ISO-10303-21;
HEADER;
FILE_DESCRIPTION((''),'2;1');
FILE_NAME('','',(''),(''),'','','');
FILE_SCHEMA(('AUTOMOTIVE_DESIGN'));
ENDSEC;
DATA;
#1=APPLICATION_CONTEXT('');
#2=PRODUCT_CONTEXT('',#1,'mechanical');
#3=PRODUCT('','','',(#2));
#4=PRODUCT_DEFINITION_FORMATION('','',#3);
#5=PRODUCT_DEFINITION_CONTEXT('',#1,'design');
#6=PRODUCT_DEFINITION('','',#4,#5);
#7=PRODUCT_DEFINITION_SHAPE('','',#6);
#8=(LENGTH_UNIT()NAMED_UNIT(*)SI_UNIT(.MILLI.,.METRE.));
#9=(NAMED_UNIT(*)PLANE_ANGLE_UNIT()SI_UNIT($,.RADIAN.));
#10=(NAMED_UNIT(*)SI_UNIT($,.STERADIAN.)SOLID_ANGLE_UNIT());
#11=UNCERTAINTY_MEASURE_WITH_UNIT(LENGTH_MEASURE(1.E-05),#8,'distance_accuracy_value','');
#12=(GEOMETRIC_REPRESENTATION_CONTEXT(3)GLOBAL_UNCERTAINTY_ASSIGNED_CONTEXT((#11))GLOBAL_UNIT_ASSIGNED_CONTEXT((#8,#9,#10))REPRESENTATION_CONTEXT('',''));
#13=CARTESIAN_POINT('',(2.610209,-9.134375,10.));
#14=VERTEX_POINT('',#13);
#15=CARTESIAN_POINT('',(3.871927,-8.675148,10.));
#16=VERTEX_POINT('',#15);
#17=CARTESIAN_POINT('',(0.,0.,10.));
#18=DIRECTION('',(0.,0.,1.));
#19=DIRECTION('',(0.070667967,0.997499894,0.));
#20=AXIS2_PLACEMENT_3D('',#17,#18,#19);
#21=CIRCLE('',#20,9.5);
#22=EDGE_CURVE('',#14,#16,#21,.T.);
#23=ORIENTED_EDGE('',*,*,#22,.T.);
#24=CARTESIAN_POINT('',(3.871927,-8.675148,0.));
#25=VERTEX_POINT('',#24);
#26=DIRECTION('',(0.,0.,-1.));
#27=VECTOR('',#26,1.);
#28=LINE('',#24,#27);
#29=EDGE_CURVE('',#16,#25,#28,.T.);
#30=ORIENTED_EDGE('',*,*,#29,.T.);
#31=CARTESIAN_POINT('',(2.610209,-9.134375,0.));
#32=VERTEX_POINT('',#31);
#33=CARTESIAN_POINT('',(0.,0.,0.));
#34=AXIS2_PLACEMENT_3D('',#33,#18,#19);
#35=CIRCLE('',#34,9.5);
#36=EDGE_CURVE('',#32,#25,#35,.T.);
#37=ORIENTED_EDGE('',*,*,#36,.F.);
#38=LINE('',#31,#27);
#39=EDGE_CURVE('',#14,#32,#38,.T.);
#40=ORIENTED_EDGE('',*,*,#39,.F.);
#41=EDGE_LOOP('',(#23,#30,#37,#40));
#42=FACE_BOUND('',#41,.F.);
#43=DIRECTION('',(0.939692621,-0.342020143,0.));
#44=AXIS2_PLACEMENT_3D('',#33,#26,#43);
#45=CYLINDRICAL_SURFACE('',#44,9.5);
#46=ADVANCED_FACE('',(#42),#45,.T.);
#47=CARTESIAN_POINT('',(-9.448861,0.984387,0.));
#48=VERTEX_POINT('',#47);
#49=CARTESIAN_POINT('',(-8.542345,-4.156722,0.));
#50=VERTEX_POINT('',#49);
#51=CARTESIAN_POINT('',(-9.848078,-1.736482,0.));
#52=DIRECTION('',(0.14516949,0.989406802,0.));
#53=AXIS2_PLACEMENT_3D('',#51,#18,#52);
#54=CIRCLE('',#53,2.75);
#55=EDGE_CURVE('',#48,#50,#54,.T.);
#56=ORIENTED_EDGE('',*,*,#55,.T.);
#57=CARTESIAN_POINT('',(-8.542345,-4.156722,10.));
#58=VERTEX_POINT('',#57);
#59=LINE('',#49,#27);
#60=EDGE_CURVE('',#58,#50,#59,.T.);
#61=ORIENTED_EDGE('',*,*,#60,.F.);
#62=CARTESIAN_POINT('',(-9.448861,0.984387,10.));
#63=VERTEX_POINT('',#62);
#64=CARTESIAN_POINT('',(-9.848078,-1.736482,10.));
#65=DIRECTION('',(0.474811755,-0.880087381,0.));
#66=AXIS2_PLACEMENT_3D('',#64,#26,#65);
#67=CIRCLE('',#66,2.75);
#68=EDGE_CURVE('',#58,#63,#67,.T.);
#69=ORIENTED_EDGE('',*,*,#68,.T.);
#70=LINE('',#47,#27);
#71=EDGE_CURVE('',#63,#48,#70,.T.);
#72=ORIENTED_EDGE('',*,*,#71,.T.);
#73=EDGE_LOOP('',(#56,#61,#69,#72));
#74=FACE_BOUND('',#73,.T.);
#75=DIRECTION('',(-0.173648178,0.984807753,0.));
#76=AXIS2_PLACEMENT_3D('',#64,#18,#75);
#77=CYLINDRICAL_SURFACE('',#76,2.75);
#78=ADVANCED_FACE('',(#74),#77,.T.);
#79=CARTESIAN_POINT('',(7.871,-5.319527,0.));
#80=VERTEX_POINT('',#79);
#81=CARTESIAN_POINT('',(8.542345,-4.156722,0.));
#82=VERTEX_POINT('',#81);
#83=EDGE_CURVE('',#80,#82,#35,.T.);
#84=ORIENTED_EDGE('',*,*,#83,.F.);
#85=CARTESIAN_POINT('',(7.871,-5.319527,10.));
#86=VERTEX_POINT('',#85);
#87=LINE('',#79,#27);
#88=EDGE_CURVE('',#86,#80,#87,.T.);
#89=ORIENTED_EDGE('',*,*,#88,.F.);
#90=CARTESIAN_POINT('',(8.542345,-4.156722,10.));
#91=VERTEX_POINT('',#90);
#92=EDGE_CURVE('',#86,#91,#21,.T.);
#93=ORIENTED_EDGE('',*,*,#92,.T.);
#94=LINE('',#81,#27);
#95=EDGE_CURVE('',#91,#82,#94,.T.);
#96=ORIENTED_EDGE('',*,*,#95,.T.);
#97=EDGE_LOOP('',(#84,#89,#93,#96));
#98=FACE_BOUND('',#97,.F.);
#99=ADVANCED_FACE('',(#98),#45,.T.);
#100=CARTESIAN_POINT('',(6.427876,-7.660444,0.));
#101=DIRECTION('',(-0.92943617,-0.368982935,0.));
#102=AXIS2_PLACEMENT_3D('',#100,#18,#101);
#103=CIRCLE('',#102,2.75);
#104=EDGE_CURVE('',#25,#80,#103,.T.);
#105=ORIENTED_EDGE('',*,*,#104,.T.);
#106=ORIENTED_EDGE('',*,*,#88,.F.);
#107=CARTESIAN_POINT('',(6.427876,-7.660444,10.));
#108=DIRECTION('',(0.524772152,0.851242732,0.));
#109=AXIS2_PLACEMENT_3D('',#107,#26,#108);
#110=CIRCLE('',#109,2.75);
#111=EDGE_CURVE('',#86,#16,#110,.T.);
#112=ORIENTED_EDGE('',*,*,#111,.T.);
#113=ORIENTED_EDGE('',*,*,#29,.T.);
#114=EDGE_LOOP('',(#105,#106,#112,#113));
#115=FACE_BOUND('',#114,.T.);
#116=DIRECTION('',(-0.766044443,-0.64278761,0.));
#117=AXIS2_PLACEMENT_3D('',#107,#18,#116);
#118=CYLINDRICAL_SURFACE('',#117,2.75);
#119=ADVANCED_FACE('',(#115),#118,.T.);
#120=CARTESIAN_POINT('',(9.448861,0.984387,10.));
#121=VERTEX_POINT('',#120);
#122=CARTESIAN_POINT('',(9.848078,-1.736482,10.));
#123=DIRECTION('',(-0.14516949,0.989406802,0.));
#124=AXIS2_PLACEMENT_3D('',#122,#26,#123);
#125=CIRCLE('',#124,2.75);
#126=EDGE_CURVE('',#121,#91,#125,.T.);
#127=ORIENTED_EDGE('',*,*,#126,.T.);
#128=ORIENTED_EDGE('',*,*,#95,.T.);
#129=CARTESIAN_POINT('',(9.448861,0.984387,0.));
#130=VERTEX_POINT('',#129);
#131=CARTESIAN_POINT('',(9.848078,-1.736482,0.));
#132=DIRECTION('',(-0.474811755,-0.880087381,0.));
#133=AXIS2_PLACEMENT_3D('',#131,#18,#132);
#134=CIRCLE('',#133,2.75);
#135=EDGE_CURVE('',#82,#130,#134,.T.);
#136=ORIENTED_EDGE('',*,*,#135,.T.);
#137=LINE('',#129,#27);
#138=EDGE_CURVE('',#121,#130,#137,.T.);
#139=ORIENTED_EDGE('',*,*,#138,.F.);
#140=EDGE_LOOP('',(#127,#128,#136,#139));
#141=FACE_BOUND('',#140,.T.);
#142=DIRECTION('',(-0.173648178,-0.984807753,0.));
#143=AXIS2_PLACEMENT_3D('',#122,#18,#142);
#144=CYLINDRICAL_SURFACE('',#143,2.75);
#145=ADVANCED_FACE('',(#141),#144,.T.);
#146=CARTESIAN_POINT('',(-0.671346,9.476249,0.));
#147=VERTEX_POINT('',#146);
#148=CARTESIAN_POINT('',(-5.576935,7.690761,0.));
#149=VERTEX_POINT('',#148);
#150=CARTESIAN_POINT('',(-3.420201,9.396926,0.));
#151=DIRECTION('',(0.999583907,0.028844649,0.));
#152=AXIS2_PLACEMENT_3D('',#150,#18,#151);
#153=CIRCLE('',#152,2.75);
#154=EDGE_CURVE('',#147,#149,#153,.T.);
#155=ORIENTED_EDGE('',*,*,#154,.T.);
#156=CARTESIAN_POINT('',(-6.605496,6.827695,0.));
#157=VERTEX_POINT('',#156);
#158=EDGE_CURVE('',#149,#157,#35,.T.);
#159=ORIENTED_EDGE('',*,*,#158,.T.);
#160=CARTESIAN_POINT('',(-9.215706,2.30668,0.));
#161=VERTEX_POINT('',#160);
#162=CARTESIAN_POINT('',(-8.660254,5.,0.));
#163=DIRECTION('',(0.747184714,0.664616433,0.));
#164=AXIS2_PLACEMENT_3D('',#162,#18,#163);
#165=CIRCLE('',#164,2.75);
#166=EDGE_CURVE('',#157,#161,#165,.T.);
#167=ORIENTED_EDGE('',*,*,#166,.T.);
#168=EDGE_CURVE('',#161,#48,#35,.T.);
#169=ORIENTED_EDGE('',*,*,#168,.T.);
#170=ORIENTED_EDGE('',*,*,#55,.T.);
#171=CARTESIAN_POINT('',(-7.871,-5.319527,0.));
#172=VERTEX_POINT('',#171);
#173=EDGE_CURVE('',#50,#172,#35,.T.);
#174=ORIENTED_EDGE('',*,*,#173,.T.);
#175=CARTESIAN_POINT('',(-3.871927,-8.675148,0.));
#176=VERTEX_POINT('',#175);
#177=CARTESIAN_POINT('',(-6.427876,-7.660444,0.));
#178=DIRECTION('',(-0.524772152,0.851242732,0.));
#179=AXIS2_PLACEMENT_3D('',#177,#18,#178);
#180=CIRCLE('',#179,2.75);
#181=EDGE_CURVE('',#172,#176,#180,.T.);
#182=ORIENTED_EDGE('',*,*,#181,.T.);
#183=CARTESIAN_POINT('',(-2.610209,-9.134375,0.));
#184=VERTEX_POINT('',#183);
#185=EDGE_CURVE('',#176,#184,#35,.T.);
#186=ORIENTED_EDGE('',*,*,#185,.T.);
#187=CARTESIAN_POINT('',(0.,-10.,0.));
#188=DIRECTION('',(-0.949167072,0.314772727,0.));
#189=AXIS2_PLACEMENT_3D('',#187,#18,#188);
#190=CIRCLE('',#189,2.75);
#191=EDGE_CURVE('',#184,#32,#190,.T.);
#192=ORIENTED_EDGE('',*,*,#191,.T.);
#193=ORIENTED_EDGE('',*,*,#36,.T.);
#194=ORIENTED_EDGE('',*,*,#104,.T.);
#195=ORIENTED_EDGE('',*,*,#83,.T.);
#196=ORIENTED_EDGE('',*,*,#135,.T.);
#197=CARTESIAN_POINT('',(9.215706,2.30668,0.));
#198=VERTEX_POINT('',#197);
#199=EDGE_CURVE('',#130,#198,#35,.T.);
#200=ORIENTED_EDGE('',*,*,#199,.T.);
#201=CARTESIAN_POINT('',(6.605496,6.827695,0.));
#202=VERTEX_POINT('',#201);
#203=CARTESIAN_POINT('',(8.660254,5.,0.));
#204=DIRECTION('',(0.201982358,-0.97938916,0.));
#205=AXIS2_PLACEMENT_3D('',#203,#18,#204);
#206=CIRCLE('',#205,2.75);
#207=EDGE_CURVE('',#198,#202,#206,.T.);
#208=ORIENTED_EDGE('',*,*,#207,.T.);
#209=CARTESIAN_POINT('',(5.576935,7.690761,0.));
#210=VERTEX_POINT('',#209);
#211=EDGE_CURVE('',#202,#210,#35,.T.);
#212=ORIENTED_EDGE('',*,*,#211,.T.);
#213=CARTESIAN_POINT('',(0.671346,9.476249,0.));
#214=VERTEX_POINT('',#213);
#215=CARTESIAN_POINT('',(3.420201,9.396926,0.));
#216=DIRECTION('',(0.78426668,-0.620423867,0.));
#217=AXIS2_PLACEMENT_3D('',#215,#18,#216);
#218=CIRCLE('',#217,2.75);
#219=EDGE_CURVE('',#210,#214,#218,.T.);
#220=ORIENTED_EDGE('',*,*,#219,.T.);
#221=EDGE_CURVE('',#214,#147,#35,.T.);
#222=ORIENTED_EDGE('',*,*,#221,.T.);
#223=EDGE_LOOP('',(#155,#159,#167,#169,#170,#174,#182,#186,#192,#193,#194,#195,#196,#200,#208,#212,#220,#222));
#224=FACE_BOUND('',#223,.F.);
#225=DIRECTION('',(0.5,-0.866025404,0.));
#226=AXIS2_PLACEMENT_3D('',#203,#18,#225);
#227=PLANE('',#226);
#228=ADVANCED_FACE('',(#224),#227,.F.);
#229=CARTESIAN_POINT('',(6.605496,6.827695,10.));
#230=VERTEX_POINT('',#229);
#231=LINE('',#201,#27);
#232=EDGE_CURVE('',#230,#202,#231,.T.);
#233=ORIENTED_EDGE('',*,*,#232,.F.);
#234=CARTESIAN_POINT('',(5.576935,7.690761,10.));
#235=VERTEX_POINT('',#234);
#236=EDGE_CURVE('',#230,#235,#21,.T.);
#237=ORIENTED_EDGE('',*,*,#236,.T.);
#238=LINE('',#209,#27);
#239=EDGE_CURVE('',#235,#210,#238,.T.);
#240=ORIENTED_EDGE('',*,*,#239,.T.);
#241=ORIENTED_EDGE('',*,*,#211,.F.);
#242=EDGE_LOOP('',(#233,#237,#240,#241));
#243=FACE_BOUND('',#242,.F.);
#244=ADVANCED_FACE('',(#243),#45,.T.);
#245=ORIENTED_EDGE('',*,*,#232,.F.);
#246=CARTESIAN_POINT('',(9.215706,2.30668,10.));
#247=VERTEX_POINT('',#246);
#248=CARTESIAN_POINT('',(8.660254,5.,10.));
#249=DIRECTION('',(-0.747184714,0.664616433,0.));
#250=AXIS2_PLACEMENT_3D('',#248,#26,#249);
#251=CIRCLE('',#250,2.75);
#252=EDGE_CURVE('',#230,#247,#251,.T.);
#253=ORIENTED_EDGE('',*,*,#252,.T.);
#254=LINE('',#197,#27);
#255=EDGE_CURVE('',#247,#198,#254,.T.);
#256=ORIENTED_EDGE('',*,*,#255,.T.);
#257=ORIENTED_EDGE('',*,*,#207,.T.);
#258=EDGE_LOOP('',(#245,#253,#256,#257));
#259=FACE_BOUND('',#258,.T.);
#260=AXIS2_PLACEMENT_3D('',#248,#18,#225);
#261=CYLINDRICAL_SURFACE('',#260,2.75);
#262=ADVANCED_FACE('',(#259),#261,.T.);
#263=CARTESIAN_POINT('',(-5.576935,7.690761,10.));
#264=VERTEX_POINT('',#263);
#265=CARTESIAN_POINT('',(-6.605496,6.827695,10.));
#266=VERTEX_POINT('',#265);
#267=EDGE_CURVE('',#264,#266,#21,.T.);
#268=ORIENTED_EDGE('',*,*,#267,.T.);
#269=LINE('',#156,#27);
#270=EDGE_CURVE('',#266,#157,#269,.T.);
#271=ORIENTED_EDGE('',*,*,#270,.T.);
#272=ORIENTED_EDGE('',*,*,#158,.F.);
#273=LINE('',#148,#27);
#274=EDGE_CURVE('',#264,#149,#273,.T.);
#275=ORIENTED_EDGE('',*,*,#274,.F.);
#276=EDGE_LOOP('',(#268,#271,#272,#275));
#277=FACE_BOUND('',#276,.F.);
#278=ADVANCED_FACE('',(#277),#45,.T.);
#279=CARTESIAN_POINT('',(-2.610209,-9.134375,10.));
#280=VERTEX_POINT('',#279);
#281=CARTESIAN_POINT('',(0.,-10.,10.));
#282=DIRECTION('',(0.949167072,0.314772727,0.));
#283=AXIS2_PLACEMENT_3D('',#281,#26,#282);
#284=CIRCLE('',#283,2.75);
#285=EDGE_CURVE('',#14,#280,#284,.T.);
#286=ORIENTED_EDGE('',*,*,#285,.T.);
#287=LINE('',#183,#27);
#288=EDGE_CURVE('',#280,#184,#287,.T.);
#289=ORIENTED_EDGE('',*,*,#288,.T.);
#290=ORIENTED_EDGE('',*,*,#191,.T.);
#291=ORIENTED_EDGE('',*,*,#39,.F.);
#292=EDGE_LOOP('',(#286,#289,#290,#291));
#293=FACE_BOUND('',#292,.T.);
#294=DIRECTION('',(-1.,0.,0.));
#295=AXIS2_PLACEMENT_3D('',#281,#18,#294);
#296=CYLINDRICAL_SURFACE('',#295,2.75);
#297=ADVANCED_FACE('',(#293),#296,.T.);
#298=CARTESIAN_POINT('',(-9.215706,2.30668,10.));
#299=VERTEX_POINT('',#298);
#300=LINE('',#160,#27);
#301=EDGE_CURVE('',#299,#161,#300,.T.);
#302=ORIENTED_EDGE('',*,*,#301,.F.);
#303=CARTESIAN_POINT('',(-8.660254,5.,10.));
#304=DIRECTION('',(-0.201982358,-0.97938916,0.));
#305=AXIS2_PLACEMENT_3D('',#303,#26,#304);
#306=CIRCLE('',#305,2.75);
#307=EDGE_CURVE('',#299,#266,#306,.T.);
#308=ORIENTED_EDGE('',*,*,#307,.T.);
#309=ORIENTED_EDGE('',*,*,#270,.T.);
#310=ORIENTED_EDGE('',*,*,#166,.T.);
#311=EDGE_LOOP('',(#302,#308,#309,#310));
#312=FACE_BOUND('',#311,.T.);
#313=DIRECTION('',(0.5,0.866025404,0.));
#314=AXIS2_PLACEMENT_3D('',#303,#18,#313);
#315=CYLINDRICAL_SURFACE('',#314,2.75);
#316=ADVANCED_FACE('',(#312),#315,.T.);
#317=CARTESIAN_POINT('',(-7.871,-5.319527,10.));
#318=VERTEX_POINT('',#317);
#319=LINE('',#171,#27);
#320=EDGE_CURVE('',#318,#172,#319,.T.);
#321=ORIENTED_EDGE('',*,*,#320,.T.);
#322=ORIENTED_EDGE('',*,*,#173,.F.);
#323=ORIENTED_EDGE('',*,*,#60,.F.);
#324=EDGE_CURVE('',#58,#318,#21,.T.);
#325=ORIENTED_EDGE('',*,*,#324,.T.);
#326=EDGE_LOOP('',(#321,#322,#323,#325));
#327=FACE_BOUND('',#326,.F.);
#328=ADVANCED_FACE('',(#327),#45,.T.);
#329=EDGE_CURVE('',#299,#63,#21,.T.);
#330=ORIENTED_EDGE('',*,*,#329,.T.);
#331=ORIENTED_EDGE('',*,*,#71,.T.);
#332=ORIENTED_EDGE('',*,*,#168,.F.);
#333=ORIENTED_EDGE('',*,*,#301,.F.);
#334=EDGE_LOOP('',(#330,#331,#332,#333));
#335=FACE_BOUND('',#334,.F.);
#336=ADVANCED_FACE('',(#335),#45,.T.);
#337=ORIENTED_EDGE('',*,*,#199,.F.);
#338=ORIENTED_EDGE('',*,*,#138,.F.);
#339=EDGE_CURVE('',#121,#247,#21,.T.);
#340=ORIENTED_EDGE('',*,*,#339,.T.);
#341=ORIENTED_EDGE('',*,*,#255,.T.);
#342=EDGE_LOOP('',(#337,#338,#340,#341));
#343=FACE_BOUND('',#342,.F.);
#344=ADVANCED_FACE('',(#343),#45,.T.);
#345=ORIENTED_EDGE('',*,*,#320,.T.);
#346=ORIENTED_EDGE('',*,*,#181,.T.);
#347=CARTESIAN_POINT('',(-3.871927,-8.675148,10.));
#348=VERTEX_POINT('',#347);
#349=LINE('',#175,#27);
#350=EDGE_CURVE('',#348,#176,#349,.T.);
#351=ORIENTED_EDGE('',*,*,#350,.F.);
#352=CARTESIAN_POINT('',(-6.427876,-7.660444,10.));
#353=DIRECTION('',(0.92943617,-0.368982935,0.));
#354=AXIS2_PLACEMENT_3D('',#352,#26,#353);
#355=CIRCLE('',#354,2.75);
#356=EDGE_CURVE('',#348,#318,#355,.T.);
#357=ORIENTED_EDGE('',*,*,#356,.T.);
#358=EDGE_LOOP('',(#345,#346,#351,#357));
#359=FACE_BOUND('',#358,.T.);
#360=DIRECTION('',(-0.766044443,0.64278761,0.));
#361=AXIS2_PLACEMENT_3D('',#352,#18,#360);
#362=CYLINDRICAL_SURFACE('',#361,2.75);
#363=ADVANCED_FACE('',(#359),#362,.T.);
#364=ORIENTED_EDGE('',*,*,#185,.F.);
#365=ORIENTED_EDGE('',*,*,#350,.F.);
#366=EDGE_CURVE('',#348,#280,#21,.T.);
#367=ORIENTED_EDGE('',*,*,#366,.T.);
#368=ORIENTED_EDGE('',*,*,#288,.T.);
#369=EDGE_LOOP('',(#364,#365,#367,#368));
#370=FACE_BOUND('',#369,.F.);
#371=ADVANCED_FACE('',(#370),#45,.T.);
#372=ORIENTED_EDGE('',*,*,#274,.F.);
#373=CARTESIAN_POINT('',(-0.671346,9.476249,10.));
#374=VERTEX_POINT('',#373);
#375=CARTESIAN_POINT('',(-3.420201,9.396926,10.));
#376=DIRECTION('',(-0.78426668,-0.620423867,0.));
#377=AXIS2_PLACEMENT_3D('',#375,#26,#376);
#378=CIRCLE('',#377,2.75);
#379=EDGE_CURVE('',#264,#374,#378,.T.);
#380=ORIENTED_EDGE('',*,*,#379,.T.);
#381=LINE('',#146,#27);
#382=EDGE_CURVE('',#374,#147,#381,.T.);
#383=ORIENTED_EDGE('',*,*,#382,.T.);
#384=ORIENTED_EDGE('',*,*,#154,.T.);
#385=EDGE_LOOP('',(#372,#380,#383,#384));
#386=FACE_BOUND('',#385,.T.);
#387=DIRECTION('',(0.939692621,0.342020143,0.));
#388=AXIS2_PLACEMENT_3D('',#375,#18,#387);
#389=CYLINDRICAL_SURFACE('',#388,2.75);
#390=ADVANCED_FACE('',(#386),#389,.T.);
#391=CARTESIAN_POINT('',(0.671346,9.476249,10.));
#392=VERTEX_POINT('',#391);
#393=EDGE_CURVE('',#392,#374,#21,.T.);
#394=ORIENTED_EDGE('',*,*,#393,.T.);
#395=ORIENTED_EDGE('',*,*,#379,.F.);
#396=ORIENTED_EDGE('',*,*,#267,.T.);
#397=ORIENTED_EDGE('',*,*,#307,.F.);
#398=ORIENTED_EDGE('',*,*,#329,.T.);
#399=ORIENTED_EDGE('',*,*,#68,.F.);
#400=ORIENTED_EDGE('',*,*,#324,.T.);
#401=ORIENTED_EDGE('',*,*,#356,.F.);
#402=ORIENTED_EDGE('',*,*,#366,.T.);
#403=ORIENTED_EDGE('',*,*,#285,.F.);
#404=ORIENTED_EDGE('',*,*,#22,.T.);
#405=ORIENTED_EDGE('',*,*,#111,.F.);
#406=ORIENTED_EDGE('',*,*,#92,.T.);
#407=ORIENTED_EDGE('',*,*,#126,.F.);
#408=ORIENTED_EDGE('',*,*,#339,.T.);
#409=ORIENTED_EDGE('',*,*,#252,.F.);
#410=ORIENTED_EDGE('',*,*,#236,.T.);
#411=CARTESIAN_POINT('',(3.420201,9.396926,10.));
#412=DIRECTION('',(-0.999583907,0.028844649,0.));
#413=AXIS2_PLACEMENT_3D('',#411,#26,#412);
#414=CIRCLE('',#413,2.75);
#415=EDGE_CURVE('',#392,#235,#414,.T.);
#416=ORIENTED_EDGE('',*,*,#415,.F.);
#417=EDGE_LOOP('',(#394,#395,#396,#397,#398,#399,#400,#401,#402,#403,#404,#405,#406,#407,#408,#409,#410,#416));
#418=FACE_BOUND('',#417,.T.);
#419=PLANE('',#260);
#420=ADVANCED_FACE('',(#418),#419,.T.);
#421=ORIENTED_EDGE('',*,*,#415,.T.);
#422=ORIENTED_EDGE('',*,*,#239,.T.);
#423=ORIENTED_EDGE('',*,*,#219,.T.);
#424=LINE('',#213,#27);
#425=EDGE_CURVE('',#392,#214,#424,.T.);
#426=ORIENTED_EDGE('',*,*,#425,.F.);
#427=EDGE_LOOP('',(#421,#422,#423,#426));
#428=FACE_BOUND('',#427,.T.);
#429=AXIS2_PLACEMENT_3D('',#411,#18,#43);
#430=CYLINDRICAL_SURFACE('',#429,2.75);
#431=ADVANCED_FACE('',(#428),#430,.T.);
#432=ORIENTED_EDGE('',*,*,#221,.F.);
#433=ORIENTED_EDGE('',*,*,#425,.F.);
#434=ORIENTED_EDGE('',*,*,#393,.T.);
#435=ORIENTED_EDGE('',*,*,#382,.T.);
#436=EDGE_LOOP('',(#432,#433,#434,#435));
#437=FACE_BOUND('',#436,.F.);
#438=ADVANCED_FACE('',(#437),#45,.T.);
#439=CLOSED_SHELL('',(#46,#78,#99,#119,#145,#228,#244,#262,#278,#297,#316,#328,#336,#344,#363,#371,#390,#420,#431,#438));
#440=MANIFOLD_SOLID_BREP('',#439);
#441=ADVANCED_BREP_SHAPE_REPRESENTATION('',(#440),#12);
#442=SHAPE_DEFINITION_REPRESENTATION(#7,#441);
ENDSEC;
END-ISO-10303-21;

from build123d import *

# Parameters (mm, degrees)
SKETCH002_R             = 9.5
PAD001_DEPTH            = 10
SKETCH003_R             = 2.75
PAD003_DEPTH            = 10
POLARPATTERN_COUNT      = 9
BODY001_PLACEMENT_ANGLE = 340


with BuildPart() as part:
    # Sketch002 → Pad001 (new body)
    with BuildSketch(Plane.XY):
        Circle(SKETCH002_R)
    extrude(amount=PAD001_DEPTH)

    # Sketch003 (on Face3 of Pad001) → Pad003 (join)
    with BuildSketch(Plane.XY.offset(10)):
        with Locations((0, 10)):
            Circle(SKETCH003_R)
    pad003 = extrude(amount=-PAD003_DEPTH)

    # PolarPattern: Pad003 ×9 about axis
    polarpattern_axis = Axis((0, 0, 10), (0, 0, 1))
    for i in range(1, POLARPATTERN_COUNT):
        add(pad003.rotate(polarpattern_axis, i * 360 / POLARPATTERN_COUNT))


with BuildPart() as part_1:
    # Body001 placement: moved
    add(part.part.rotate(Axis((0, 0, 0), (0, 0, 1)), BODY001_PLACEMENT_ANGLE))


solid = part_1.part
